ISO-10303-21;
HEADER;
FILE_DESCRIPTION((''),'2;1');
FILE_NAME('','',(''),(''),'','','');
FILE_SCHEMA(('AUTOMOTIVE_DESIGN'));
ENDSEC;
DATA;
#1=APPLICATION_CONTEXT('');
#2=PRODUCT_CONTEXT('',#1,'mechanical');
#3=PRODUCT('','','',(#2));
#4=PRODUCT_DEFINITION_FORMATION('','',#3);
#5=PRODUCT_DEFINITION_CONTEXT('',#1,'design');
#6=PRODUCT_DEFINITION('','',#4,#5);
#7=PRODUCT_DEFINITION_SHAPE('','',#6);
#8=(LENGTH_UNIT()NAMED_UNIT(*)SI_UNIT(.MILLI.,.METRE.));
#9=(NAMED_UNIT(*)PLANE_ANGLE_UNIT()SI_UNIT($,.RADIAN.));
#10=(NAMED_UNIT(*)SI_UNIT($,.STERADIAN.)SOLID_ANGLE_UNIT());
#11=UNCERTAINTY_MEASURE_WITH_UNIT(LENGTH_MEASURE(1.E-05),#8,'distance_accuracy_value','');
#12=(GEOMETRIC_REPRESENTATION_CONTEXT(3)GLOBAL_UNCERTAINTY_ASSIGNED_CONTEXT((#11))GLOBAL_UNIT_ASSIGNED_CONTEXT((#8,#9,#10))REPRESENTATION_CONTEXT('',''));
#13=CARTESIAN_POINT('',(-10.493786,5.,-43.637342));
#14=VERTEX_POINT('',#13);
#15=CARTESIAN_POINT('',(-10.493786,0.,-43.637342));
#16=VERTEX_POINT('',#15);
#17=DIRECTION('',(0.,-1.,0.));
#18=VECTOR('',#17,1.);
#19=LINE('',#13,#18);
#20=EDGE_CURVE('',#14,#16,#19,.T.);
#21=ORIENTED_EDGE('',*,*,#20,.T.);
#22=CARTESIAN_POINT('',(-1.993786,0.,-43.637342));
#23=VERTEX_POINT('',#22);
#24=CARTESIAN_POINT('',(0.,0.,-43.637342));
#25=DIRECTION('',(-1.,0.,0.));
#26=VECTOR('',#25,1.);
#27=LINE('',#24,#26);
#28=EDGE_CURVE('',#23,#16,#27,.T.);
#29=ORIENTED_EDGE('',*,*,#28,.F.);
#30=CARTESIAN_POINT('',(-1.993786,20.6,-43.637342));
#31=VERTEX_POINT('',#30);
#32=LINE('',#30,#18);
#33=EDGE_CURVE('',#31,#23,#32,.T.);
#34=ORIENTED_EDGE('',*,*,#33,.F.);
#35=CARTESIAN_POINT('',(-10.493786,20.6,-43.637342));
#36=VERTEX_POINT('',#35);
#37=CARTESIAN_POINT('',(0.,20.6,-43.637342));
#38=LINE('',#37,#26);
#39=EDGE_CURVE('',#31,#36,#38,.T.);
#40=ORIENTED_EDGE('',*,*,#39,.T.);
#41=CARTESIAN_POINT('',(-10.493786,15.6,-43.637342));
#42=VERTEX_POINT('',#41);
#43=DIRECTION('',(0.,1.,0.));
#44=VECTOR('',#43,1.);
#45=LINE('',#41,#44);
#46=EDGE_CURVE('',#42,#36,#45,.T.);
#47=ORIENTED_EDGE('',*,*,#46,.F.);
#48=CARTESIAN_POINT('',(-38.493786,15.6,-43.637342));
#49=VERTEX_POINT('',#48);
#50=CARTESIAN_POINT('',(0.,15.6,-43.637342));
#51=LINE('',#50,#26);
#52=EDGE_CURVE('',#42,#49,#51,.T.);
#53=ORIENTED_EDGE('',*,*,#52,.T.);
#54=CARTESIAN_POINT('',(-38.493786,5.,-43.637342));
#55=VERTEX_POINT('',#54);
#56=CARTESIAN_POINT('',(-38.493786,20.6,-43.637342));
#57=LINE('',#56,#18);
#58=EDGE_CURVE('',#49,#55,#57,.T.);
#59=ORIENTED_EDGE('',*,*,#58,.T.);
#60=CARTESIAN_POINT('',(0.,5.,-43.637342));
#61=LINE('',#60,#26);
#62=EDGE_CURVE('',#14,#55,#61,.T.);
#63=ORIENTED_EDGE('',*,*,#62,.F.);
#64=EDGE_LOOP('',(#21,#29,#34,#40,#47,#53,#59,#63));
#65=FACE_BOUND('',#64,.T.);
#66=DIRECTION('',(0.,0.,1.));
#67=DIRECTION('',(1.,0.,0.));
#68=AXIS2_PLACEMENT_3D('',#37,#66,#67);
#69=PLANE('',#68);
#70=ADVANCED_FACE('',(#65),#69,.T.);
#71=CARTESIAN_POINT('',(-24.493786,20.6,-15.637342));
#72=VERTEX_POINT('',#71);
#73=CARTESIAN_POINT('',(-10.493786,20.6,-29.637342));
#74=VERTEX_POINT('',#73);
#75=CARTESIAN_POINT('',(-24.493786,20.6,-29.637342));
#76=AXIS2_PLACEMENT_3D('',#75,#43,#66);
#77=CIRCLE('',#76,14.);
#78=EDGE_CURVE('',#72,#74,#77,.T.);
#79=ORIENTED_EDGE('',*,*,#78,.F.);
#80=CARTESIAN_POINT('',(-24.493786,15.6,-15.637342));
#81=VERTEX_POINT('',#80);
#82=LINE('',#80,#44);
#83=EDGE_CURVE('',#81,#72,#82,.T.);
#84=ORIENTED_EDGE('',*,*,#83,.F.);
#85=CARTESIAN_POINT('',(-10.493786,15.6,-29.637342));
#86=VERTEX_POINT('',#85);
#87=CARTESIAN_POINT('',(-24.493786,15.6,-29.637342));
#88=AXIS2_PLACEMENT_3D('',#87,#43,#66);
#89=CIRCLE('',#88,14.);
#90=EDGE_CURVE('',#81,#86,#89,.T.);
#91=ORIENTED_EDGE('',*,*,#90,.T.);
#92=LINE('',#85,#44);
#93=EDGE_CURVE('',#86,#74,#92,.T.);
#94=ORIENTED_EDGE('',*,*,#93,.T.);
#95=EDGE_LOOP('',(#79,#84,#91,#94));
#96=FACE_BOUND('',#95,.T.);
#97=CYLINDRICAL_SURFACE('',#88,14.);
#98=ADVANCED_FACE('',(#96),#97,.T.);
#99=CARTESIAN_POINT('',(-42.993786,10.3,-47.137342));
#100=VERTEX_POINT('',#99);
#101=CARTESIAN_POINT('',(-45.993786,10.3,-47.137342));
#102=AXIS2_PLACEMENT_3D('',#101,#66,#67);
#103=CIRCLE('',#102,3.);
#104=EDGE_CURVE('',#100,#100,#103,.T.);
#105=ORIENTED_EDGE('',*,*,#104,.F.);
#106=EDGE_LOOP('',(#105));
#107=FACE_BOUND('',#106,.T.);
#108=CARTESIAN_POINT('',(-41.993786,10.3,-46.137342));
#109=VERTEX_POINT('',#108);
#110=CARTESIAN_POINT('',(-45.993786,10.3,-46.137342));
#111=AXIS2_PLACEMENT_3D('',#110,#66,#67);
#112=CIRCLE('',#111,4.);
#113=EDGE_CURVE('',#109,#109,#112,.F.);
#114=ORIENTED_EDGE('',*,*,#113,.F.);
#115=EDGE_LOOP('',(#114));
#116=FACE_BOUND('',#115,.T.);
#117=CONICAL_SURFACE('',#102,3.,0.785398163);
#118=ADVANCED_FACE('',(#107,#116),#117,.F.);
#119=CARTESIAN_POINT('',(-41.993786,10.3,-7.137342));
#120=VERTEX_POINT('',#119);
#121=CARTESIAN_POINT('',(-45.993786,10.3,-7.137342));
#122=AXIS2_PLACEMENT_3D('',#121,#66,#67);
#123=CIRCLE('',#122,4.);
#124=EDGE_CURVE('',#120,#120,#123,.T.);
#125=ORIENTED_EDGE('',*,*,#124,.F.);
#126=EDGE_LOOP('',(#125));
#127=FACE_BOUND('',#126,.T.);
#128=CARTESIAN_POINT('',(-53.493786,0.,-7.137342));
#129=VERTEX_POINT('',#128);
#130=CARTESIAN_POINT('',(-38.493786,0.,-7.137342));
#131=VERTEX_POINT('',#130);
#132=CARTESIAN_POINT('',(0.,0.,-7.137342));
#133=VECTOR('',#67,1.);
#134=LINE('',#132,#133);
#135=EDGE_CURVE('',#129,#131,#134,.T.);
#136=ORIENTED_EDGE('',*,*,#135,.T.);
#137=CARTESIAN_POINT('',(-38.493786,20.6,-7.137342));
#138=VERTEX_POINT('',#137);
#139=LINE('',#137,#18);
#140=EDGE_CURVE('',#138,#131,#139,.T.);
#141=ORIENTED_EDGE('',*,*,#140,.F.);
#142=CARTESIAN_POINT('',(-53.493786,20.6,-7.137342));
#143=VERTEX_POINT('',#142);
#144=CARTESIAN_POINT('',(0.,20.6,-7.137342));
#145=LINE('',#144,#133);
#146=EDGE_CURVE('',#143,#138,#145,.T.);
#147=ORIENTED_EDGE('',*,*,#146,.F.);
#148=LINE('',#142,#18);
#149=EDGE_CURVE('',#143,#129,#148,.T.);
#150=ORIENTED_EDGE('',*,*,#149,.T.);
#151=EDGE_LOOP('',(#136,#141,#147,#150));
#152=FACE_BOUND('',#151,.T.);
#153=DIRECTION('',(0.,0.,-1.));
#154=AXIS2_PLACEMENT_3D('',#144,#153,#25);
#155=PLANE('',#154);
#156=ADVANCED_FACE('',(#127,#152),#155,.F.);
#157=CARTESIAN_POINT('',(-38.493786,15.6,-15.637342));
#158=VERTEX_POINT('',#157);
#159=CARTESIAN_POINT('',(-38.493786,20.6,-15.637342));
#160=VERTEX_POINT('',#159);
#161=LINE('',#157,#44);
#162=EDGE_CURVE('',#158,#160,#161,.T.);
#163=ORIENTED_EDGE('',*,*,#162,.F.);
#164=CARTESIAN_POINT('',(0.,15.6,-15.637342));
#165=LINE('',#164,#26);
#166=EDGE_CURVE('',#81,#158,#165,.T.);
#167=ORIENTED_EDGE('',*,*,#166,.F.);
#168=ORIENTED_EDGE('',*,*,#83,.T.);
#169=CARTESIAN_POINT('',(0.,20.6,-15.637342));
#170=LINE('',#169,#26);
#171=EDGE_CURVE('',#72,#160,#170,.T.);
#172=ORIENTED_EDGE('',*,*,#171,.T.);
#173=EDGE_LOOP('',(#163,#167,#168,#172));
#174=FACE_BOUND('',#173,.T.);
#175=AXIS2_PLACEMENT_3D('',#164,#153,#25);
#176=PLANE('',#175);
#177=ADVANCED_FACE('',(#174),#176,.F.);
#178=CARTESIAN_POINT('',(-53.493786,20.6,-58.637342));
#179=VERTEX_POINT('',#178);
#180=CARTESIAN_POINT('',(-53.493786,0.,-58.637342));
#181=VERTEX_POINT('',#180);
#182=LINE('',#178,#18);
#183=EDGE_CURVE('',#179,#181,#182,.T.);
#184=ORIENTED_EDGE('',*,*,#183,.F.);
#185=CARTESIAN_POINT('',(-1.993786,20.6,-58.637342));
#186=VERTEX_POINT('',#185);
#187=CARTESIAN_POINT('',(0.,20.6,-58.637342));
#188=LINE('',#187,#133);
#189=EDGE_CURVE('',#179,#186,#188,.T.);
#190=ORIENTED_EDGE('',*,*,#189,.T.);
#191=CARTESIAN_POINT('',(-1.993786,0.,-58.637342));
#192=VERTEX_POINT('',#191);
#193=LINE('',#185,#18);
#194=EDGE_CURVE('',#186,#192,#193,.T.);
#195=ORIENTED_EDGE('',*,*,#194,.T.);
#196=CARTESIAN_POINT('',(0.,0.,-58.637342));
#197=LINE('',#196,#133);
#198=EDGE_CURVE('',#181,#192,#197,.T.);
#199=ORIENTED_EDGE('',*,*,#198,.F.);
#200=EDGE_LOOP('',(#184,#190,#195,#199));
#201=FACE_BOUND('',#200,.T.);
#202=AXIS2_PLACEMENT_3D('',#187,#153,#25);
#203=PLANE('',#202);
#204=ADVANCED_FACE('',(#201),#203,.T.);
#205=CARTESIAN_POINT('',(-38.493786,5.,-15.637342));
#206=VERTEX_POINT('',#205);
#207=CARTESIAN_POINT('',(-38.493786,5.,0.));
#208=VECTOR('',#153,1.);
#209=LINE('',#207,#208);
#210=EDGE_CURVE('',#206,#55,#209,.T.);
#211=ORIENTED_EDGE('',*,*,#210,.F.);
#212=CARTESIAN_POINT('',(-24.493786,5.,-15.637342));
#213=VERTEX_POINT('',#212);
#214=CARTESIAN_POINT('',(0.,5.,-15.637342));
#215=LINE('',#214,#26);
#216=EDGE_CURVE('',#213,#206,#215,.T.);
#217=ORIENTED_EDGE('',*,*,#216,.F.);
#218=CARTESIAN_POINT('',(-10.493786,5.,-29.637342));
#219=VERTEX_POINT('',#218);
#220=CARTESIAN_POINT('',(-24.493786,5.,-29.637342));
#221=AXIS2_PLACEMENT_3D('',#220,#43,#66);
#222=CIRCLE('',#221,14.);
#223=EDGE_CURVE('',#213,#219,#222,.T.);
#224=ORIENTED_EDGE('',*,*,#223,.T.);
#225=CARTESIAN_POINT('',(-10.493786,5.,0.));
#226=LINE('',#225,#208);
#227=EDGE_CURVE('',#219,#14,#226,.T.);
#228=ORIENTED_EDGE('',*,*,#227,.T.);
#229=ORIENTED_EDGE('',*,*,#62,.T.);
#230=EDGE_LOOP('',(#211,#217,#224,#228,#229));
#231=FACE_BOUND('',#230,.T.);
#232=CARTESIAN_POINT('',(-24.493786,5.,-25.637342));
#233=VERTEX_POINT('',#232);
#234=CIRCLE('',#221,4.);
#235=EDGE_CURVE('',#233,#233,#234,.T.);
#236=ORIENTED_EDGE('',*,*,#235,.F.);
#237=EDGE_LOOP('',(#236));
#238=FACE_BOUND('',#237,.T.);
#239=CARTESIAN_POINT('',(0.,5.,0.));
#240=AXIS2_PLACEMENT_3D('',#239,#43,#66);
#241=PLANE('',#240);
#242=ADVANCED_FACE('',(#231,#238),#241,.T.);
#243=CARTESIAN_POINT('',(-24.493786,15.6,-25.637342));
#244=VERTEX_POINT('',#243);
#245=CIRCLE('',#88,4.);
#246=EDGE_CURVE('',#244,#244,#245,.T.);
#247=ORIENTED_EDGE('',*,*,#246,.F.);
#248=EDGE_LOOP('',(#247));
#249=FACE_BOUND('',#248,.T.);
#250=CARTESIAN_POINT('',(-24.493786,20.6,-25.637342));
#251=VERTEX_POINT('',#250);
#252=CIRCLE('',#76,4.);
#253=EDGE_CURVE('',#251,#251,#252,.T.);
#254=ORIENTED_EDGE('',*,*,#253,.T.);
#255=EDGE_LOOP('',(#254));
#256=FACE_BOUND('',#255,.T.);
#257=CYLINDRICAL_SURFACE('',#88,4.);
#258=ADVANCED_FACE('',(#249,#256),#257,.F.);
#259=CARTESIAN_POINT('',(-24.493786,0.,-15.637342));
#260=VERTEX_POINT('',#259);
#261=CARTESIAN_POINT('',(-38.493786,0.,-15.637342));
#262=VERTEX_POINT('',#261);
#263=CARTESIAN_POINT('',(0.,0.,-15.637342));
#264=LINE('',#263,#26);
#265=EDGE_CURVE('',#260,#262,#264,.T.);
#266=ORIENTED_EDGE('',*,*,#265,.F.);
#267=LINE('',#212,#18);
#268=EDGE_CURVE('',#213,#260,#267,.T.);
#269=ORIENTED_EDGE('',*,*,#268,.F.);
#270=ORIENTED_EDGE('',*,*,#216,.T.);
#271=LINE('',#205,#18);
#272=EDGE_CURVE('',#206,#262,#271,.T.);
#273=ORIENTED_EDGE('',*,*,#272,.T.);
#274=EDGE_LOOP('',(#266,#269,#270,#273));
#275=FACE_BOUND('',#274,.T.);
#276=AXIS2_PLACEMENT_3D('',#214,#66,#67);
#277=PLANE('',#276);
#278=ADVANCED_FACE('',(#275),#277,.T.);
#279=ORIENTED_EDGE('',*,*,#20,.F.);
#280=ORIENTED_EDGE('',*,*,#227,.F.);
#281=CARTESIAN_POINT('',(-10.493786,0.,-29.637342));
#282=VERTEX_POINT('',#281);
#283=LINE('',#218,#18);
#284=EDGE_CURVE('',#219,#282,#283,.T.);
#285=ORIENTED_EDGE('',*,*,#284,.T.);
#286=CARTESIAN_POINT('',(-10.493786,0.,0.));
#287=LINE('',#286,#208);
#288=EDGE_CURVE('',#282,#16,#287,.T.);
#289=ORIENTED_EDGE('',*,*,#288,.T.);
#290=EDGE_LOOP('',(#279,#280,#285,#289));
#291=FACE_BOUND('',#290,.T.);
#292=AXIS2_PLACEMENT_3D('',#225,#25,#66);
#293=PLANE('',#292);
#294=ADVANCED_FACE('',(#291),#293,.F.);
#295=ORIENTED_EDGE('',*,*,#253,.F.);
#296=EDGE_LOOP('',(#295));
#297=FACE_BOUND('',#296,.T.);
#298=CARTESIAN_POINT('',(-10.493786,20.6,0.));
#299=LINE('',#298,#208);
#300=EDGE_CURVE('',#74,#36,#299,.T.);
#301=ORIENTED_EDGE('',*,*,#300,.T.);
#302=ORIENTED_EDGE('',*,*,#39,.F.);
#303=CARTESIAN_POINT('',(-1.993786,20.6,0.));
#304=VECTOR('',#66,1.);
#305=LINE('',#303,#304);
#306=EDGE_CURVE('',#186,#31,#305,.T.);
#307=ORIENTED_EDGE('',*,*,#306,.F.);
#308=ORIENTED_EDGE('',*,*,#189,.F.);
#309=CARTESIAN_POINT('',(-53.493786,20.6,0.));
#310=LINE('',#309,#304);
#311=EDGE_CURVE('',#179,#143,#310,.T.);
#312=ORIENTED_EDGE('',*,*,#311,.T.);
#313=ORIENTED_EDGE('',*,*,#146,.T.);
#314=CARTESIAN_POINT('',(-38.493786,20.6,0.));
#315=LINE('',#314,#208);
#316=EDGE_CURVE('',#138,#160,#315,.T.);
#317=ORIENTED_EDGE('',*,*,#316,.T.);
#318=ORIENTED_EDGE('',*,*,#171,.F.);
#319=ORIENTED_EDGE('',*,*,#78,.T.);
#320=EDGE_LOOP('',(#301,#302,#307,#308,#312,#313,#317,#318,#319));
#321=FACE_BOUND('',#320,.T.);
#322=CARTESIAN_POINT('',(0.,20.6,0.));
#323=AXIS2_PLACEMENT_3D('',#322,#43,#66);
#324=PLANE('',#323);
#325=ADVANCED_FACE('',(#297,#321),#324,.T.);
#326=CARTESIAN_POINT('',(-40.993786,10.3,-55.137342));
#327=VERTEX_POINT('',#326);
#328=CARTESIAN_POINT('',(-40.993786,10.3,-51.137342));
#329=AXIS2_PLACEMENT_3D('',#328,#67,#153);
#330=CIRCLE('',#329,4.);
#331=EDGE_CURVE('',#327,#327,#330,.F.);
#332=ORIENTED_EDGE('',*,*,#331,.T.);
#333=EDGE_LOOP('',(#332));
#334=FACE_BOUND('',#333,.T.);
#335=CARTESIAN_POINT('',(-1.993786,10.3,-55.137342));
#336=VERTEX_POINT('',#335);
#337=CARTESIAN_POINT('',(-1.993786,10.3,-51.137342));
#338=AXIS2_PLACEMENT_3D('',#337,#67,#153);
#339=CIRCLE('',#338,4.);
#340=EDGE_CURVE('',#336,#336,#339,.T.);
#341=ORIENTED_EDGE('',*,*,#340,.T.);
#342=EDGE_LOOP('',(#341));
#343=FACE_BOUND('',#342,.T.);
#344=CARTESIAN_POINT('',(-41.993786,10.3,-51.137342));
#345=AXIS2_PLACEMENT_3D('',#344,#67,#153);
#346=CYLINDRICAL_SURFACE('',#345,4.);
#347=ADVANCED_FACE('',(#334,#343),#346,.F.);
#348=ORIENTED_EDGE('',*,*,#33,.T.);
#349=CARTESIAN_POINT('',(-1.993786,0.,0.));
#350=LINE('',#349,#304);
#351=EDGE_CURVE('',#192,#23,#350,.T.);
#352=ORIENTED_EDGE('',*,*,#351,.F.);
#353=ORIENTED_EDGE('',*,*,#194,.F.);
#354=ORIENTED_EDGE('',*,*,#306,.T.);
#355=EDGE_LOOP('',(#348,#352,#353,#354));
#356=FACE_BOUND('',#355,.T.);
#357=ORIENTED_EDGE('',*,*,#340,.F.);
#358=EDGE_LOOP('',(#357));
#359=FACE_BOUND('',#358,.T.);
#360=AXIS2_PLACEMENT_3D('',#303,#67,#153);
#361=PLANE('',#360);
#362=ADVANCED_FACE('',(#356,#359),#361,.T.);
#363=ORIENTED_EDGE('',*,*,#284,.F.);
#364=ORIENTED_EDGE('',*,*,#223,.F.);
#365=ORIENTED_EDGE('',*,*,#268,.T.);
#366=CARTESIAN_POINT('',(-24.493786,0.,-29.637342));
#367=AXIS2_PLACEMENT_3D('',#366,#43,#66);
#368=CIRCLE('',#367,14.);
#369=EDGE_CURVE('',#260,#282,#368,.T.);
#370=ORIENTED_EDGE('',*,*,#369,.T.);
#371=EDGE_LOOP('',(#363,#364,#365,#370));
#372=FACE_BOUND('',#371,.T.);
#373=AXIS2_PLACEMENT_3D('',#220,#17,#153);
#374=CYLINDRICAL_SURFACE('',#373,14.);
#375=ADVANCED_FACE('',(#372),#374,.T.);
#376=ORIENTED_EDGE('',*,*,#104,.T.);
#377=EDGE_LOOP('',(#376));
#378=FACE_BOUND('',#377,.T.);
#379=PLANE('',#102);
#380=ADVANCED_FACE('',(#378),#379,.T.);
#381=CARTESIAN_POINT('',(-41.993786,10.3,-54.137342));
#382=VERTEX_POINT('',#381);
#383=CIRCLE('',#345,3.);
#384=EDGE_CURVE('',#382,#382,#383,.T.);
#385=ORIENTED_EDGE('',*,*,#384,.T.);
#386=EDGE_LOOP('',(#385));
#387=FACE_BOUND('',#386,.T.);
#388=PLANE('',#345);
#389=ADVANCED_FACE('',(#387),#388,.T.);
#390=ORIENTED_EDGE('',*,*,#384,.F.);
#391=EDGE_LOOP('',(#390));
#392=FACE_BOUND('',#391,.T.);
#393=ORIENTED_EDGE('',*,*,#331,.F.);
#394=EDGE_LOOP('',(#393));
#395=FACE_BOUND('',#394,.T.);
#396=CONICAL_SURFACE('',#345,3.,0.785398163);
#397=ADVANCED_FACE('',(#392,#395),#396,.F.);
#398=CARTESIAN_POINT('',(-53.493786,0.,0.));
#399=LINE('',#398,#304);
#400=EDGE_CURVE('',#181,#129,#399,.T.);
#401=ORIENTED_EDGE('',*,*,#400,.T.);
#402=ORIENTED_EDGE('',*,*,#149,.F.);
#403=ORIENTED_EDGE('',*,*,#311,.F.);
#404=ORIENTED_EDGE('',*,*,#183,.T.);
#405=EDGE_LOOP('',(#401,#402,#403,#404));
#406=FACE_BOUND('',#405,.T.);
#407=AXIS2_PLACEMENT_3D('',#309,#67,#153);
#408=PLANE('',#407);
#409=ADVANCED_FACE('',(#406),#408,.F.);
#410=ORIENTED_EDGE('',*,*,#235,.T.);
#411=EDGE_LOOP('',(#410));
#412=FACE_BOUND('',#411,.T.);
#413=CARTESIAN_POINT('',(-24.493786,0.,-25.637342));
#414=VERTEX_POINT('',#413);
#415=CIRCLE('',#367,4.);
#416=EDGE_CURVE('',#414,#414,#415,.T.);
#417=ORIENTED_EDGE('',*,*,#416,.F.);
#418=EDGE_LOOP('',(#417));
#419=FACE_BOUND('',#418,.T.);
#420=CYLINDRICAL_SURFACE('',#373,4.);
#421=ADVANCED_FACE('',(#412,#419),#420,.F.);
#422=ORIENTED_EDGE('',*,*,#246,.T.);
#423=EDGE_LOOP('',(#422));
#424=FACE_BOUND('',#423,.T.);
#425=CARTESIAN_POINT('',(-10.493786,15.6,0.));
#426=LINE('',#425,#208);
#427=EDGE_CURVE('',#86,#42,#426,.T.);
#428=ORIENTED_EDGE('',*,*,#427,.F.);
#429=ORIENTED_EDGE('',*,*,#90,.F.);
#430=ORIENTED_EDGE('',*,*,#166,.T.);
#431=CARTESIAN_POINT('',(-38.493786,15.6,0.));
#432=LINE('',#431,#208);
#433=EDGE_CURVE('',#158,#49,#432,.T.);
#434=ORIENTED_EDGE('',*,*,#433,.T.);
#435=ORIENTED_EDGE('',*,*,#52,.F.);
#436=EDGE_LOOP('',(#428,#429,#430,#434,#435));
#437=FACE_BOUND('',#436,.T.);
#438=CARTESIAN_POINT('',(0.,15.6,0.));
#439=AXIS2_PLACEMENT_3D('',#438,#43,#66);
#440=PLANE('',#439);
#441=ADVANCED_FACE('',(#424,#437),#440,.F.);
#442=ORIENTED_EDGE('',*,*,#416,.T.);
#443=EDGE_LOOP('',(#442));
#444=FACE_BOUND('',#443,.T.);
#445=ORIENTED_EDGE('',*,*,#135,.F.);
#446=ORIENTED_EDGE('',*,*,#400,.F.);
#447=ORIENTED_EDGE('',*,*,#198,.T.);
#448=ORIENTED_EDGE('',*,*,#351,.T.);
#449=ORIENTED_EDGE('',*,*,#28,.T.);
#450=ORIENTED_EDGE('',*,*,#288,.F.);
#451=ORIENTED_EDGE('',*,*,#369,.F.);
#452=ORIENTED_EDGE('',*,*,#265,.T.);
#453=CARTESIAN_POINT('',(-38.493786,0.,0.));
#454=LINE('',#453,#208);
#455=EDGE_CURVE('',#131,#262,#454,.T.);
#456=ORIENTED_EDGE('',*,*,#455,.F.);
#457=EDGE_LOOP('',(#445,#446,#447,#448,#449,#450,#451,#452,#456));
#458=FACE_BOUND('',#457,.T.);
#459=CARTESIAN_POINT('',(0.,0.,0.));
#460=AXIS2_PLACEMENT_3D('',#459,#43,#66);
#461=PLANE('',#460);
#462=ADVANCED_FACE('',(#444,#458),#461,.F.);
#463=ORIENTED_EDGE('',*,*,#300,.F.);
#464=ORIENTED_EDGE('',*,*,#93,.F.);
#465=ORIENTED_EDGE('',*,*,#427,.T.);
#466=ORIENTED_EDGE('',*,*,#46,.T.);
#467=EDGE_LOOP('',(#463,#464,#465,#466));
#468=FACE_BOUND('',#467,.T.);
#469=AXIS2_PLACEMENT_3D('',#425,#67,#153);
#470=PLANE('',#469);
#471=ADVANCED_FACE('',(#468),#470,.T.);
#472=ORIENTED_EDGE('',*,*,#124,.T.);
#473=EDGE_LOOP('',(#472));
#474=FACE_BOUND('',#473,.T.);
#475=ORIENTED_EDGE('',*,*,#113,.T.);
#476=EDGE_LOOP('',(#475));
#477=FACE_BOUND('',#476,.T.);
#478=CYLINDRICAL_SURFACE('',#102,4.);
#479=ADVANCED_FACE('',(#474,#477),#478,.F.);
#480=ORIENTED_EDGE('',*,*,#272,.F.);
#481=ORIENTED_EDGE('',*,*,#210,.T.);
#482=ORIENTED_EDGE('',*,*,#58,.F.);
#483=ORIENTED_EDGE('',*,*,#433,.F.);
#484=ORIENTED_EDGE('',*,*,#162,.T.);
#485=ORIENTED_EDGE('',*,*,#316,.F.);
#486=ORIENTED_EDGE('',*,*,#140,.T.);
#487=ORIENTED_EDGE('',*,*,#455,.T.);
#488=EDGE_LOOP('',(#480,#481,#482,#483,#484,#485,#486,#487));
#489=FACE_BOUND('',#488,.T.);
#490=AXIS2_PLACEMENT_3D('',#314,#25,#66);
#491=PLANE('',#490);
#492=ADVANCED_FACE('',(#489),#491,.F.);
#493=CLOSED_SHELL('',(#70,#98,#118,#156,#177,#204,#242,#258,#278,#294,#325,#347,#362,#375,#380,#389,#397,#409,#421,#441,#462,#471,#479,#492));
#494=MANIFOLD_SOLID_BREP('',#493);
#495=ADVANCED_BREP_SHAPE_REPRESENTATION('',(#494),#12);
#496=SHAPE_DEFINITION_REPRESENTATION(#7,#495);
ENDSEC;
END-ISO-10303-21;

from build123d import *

# Parameters (mm, degrees)
SKETCH1_W           = 8
SKETCH1_H           = 40
SKETCH1_W_2         = 40
SKETCH1_H_2         = 8
BOSS_EXTRUDE1_DEPTH = 20.6
SKETCH1_3_R         = 4
BOSS_EXTRUDE2_DEPTH = 5
BOSS_EXTRUDE4_START = 15.6
SKETCH1_4_R         = 4
BOSS_EXTRUDE4_DEPTH = 5
SKETCH2_R           = 4
CUT_EXTRUDE1_DEPTH  = 40
CHAMFER1_SIZE       = 1
SKETCH5_R           = 4
CUT_EXTRUDE7_DEPTH  = 40
CHAMFER2_SIZE       = 1


with BuildPart() as part:
    # Sketch1 → Boss-Extrude1 (new body)
    with BuildSketch(Plane(origin=(0, 0, 0), x_dir=(1, 0, 0), z_dir=(0, 1, 0))):
        Polygon((-49.993785762, 7.13734227), (-49.993785762, 47.13734227), (-41.993785762, 47.13734227), (-41.993785762, 55.13734227), (-1.993785762, 55.13734227), (-1.993785762, 58.63734227), (-53.493785762, 58.63734227), (-53.493785762, 7.13734227), align=None)
        with Locations((-45.993785762, 27.13734227)):
            Rectangle(SKETCH1_W, SKETCH1_H)
        Polygon((-1.993785762, 47.13734227), (-41.993785762, 47.13734227), (-41.993785762, 7.13734227), (-38.493785762, 7.13734227), (-38.493785762, 15.63734227), (-38.493785762, 43.63734227), (-10.493785762, 43.63734227), (-1.993785762, 43.63734227), align=None)
        with Locations((-21.993785762, 51.13734227)):
            Rectangle(SKETCH1_W_2, SKETCH1_H_2)
    extrude(amount=BOSS_EXTRUDE1_DEPTH)

    # Sketch1<3> → Boss-Extrude2 (add)
    with BuildSketch(Plane(origin=(0, 0, 0), x_dir=(1, 0, 0), z_dir=(0, 1, 0))):
        with BuildLine():
            Line((-38.493785762, 43.63734227), (-38.493785762, 15.63734227))
            Line((-38.493785762, 15.63734227), (-24.493785762, 15.63734227))
            ThreePointArc((-24.493785762, 15.63734227), (-14.594290825, 19.737847333), (-10.493785762, 29.63734227))
            Line((-10.493785762, 29.63734227), (-10.493785762, 43.63734227))
            Line((-10.493785762, 43.63734227), (-38.493785762, 43.63734227))
        make_face()
        with Locations(Location((-24.493785762, 29.63734227, 0), (0, 0, 270))):
            Circle(SKETCH1_3_R, mode=Mode.SUBTRACT)
    extrude(amount=BOSS_EXTRUDE2_DEPTH)

    # Sketch1<4> → Boss-Extrude4 (add)
    with BuildSketch(Plane(origin=(0, 0, 0), x_dir=(1, 0, 0), z_dir=(0, 1, 0)).offset(BOSS_EXTRUDE4_START)):
        with BuildLine():
            Line((-38.493785762, 43.63734227), (-38.493785762, 15.63734227))
            Line((-38.493785762, 15.63734227), (-24.493785762, 15.63734227))
            ThreePointArc((-24.493785762, 15.63734227), (-14.594290825, 19.737847333), (-10.493785762, 29.63734227))
            Line((-10.493785762, 29.63734227), (-10.493785762, 43.63734227))
            Line((-10.493785762, 43.63734227), (-38.493785762, 43.63734227))
        make_face()
        with Locations(Location((-24.493785762, 29.63734227, 0), (0, 0, 270))):
            Circle(SKETCH1_4_R, mode=Mode.SUBTRACT)
    extrude(amount=BOSS_EXTRUDE4_DEPTH)

    # Sketch2 → Cut-Extrude1 (cut)
    with BuildSketch(Plane.XY.offset(-7.13734227)):
        with Locations((-45.993785762, 10.3)):
            Circle(SKETCH2_R)
    extrude(amount=-CUT_EXTRUDE1_DEPTH, mode=Mode.SUBTRACT)

    # Chamfer1
    chamfer1_edges = [part.edges().sort_by_distance(p)[0] for p in [
        (-49.993785762, 10.3, -47.13734227),
    ]]
    chamfer(chamfer1_edges, length=CHAMFER1_SIZE)

    # Sketch5 → Cut-Extrude7 (cut)
    with BuildSketch(Plane(origin=(-1.993785762, 0, 0), x_dir=(0, 0, -1), z_dir=(1, 0, 0))):
        with Locations((51.13734227, 10.3)):
            Circle(SKETCH5_R)
    extrude(amount=-CUT_EXTRUDE7_DEPTH, mode=Mode.SUBTRACT)

    # Chamfer2
    chamfer2_edges = [part.edges().sort_by_distance(p)[0] for p in [
        (-41.993785762, 10.3, -47.13734227),
    ]]
    chamfer(chamfer2_edges, length=CHAMFER2_SIZE)


solid = part.part
